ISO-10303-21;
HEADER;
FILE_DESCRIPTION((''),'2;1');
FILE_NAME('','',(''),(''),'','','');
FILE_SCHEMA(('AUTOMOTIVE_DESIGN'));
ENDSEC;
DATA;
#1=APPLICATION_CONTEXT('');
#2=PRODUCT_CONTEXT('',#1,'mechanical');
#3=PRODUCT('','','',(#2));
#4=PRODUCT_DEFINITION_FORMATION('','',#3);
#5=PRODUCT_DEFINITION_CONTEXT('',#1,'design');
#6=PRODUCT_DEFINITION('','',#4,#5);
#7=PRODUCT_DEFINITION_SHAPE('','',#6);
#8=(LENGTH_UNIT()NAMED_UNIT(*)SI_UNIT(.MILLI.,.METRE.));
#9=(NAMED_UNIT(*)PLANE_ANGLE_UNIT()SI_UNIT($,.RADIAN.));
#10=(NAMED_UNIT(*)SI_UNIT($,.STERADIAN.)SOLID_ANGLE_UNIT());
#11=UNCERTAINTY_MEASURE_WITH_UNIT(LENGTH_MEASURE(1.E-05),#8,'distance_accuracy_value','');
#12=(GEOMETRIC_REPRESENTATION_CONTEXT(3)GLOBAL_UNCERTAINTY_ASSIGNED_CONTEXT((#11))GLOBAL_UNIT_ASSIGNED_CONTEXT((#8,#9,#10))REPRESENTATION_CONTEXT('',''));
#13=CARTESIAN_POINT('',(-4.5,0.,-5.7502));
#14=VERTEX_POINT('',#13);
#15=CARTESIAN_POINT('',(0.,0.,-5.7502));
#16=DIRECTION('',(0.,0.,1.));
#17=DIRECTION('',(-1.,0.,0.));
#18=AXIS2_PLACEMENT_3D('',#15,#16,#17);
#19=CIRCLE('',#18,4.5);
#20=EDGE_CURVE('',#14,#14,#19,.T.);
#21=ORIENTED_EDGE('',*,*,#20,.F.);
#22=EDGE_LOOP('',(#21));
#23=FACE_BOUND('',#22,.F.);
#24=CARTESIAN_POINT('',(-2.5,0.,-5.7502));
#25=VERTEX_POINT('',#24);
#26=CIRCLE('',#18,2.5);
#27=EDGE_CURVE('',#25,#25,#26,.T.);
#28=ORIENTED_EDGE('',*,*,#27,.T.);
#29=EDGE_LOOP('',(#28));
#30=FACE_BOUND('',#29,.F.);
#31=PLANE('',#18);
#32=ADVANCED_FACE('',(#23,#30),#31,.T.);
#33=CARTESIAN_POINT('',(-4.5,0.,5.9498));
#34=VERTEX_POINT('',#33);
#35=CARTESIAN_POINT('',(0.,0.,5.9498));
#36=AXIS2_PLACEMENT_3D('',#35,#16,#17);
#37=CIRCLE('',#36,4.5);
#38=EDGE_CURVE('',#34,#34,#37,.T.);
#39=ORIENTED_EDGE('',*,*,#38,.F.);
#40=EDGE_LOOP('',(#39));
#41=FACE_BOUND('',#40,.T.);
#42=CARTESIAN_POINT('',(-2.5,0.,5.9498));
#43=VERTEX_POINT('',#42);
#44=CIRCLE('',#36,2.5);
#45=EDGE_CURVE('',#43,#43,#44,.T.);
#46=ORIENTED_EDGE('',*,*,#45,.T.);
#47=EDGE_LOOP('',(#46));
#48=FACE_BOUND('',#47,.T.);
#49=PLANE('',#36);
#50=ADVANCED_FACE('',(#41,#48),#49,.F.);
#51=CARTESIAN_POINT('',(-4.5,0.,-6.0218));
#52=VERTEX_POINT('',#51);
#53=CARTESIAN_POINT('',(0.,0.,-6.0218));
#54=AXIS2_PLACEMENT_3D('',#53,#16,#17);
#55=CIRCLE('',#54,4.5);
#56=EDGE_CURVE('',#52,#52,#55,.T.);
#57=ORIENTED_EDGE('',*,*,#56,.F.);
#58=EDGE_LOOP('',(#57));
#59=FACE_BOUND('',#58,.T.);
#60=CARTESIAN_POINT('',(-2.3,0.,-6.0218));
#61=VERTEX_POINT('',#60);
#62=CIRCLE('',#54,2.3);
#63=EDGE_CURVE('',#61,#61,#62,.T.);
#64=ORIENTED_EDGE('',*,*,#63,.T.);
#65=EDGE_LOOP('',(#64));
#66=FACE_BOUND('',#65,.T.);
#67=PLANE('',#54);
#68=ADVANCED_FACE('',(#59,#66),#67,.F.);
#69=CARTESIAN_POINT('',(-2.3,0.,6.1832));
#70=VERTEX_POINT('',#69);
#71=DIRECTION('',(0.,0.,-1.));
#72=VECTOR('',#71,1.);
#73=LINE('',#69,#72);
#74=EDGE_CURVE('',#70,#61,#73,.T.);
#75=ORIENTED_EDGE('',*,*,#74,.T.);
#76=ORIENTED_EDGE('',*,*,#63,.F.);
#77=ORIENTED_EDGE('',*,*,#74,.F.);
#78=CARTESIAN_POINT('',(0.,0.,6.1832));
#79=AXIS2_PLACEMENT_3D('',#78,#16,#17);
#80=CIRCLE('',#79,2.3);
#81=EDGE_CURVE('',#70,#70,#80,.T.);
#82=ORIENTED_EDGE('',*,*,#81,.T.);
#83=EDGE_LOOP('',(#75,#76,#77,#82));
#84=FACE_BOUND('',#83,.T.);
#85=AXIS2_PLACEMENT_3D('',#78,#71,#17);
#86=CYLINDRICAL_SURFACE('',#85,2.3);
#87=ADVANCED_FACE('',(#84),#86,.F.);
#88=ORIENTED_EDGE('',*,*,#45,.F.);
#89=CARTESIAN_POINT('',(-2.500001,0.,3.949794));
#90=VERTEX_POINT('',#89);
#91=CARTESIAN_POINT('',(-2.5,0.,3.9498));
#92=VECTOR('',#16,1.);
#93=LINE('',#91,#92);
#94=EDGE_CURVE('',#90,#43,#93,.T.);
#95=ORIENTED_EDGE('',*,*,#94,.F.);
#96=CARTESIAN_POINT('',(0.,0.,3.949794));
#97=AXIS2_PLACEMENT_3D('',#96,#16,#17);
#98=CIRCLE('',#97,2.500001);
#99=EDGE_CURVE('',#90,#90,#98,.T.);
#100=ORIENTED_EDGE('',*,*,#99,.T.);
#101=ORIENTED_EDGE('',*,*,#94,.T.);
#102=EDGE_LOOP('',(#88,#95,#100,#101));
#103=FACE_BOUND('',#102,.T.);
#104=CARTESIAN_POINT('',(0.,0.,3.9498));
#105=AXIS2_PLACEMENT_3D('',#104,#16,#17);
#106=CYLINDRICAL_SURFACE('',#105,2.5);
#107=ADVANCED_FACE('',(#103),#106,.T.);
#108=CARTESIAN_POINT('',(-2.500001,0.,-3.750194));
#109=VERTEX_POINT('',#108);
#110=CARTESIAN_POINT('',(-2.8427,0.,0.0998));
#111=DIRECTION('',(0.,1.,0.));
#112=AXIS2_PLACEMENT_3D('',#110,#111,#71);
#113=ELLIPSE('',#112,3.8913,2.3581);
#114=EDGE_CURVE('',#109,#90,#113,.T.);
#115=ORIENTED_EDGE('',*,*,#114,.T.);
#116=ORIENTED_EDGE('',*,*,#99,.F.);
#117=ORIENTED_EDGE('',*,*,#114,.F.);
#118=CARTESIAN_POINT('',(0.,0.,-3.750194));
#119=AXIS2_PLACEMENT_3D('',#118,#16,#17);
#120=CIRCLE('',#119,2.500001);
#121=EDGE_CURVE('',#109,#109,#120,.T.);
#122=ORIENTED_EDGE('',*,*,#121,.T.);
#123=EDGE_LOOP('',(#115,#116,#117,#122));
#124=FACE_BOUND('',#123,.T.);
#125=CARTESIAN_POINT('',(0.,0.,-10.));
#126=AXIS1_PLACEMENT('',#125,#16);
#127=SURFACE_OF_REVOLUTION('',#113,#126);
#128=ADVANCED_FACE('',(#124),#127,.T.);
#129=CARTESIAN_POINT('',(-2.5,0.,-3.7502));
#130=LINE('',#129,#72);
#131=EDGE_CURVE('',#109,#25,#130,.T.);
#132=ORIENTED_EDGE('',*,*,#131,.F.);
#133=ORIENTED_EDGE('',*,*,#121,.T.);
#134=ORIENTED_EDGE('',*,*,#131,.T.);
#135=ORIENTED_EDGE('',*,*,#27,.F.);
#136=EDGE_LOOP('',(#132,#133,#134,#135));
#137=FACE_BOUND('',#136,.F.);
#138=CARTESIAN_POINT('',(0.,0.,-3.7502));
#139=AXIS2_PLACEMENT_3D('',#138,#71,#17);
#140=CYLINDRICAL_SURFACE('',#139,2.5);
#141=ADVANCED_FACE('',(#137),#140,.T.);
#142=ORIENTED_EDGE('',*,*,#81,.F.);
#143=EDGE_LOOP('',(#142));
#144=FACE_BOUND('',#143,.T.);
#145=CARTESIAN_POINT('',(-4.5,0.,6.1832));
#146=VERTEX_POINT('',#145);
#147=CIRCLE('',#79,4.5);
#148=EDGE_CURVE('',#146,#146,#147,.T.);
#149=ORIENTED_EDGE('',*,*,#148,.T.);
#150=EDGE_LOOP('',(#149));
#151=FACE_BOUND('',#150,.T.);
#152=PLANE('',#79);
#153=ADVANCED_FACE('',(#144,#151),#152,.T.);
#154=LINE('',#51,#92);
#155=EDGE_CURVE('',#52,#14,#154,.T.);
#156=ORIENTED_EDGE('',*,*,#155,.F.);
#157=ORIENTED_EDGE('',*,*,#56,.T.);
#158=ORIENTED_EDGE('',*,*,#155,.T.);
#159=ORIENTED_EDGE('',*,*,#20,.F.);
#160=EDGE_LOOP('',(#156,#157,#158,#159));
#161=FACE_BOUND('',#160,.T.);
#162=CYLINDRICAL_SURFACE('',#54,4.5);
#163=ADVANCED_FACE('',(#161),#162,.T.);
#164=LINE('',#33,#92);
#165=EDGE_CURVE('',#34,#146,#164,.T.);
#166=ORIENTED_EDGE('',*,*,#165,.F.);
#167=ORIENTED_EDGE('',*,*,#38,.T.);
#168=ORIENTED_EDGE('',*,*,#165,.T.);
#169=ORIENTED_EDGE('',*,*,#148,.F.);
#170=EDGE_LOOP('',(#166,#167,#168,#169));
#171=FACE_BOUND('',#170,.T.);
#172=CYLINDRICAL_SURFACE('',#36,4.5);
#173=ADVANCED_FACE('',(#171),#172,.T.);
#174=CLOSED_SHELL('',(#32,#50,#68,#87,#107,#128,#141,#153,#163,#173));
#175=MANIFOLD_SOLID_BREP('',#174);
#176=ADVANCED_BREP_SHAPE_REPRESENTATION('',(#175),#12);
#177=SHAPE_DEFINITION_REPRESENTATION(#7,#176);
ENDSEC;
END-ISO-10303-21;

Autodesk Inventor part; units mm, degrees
sketch "Sketch5" plane through (0, 0, 0) normal (0, 1, 0) x (-1, 0, 0)
  line L0 (0, -8.4628) -> (0, 8.6242) projected
  ellipse E0 centre (2.8427, 0.0998) end of major axis (0.4846, 0.0998) minor radius 3.8913 (2.5, -3.7502) -> (2.5, 3.9498) ccw
  line L1 (2.5, -3.7502) -> (2.5, -5.7502)
  line L2 (2.5, -5.7502) -> (4.5, -5.7502)
  line L3 (2.5, 3.9498) -> (2.5, 5.9498)
  line L4 (2.5, 5.9498) -> (4.5, 5.9498)
  line L5 (4.5, 5.9498) -> (4.5, 6.1832)
  line L6 (4.5, 6.1832) -> (2.3, 6.1832)
  line L7 (2.3, 6.1832) -> (2.3, -6.0218)
  line L8 (2.3, -6.0218) -> (4.5, -6.0218)
  line L9 (4.5, -6.0218) -> (4.5, -5.7502)
  point P0 (0, 0)
  point P1 (5.2, -0.0087)
  dimension "d8" = 2
  dimension "d9" = 2
  dimension "d10" = 7.7
  dimension "d11" = 2.7
  dimension "d12" = 0.2
  dimension "d15" = 2.5
revolve "Revolution1" add sketch "Sketch5" angle 360 about axis through (0, 0, -10) along (0, 0, 1)
properties part number "bump_black_small" material "Rubber"
